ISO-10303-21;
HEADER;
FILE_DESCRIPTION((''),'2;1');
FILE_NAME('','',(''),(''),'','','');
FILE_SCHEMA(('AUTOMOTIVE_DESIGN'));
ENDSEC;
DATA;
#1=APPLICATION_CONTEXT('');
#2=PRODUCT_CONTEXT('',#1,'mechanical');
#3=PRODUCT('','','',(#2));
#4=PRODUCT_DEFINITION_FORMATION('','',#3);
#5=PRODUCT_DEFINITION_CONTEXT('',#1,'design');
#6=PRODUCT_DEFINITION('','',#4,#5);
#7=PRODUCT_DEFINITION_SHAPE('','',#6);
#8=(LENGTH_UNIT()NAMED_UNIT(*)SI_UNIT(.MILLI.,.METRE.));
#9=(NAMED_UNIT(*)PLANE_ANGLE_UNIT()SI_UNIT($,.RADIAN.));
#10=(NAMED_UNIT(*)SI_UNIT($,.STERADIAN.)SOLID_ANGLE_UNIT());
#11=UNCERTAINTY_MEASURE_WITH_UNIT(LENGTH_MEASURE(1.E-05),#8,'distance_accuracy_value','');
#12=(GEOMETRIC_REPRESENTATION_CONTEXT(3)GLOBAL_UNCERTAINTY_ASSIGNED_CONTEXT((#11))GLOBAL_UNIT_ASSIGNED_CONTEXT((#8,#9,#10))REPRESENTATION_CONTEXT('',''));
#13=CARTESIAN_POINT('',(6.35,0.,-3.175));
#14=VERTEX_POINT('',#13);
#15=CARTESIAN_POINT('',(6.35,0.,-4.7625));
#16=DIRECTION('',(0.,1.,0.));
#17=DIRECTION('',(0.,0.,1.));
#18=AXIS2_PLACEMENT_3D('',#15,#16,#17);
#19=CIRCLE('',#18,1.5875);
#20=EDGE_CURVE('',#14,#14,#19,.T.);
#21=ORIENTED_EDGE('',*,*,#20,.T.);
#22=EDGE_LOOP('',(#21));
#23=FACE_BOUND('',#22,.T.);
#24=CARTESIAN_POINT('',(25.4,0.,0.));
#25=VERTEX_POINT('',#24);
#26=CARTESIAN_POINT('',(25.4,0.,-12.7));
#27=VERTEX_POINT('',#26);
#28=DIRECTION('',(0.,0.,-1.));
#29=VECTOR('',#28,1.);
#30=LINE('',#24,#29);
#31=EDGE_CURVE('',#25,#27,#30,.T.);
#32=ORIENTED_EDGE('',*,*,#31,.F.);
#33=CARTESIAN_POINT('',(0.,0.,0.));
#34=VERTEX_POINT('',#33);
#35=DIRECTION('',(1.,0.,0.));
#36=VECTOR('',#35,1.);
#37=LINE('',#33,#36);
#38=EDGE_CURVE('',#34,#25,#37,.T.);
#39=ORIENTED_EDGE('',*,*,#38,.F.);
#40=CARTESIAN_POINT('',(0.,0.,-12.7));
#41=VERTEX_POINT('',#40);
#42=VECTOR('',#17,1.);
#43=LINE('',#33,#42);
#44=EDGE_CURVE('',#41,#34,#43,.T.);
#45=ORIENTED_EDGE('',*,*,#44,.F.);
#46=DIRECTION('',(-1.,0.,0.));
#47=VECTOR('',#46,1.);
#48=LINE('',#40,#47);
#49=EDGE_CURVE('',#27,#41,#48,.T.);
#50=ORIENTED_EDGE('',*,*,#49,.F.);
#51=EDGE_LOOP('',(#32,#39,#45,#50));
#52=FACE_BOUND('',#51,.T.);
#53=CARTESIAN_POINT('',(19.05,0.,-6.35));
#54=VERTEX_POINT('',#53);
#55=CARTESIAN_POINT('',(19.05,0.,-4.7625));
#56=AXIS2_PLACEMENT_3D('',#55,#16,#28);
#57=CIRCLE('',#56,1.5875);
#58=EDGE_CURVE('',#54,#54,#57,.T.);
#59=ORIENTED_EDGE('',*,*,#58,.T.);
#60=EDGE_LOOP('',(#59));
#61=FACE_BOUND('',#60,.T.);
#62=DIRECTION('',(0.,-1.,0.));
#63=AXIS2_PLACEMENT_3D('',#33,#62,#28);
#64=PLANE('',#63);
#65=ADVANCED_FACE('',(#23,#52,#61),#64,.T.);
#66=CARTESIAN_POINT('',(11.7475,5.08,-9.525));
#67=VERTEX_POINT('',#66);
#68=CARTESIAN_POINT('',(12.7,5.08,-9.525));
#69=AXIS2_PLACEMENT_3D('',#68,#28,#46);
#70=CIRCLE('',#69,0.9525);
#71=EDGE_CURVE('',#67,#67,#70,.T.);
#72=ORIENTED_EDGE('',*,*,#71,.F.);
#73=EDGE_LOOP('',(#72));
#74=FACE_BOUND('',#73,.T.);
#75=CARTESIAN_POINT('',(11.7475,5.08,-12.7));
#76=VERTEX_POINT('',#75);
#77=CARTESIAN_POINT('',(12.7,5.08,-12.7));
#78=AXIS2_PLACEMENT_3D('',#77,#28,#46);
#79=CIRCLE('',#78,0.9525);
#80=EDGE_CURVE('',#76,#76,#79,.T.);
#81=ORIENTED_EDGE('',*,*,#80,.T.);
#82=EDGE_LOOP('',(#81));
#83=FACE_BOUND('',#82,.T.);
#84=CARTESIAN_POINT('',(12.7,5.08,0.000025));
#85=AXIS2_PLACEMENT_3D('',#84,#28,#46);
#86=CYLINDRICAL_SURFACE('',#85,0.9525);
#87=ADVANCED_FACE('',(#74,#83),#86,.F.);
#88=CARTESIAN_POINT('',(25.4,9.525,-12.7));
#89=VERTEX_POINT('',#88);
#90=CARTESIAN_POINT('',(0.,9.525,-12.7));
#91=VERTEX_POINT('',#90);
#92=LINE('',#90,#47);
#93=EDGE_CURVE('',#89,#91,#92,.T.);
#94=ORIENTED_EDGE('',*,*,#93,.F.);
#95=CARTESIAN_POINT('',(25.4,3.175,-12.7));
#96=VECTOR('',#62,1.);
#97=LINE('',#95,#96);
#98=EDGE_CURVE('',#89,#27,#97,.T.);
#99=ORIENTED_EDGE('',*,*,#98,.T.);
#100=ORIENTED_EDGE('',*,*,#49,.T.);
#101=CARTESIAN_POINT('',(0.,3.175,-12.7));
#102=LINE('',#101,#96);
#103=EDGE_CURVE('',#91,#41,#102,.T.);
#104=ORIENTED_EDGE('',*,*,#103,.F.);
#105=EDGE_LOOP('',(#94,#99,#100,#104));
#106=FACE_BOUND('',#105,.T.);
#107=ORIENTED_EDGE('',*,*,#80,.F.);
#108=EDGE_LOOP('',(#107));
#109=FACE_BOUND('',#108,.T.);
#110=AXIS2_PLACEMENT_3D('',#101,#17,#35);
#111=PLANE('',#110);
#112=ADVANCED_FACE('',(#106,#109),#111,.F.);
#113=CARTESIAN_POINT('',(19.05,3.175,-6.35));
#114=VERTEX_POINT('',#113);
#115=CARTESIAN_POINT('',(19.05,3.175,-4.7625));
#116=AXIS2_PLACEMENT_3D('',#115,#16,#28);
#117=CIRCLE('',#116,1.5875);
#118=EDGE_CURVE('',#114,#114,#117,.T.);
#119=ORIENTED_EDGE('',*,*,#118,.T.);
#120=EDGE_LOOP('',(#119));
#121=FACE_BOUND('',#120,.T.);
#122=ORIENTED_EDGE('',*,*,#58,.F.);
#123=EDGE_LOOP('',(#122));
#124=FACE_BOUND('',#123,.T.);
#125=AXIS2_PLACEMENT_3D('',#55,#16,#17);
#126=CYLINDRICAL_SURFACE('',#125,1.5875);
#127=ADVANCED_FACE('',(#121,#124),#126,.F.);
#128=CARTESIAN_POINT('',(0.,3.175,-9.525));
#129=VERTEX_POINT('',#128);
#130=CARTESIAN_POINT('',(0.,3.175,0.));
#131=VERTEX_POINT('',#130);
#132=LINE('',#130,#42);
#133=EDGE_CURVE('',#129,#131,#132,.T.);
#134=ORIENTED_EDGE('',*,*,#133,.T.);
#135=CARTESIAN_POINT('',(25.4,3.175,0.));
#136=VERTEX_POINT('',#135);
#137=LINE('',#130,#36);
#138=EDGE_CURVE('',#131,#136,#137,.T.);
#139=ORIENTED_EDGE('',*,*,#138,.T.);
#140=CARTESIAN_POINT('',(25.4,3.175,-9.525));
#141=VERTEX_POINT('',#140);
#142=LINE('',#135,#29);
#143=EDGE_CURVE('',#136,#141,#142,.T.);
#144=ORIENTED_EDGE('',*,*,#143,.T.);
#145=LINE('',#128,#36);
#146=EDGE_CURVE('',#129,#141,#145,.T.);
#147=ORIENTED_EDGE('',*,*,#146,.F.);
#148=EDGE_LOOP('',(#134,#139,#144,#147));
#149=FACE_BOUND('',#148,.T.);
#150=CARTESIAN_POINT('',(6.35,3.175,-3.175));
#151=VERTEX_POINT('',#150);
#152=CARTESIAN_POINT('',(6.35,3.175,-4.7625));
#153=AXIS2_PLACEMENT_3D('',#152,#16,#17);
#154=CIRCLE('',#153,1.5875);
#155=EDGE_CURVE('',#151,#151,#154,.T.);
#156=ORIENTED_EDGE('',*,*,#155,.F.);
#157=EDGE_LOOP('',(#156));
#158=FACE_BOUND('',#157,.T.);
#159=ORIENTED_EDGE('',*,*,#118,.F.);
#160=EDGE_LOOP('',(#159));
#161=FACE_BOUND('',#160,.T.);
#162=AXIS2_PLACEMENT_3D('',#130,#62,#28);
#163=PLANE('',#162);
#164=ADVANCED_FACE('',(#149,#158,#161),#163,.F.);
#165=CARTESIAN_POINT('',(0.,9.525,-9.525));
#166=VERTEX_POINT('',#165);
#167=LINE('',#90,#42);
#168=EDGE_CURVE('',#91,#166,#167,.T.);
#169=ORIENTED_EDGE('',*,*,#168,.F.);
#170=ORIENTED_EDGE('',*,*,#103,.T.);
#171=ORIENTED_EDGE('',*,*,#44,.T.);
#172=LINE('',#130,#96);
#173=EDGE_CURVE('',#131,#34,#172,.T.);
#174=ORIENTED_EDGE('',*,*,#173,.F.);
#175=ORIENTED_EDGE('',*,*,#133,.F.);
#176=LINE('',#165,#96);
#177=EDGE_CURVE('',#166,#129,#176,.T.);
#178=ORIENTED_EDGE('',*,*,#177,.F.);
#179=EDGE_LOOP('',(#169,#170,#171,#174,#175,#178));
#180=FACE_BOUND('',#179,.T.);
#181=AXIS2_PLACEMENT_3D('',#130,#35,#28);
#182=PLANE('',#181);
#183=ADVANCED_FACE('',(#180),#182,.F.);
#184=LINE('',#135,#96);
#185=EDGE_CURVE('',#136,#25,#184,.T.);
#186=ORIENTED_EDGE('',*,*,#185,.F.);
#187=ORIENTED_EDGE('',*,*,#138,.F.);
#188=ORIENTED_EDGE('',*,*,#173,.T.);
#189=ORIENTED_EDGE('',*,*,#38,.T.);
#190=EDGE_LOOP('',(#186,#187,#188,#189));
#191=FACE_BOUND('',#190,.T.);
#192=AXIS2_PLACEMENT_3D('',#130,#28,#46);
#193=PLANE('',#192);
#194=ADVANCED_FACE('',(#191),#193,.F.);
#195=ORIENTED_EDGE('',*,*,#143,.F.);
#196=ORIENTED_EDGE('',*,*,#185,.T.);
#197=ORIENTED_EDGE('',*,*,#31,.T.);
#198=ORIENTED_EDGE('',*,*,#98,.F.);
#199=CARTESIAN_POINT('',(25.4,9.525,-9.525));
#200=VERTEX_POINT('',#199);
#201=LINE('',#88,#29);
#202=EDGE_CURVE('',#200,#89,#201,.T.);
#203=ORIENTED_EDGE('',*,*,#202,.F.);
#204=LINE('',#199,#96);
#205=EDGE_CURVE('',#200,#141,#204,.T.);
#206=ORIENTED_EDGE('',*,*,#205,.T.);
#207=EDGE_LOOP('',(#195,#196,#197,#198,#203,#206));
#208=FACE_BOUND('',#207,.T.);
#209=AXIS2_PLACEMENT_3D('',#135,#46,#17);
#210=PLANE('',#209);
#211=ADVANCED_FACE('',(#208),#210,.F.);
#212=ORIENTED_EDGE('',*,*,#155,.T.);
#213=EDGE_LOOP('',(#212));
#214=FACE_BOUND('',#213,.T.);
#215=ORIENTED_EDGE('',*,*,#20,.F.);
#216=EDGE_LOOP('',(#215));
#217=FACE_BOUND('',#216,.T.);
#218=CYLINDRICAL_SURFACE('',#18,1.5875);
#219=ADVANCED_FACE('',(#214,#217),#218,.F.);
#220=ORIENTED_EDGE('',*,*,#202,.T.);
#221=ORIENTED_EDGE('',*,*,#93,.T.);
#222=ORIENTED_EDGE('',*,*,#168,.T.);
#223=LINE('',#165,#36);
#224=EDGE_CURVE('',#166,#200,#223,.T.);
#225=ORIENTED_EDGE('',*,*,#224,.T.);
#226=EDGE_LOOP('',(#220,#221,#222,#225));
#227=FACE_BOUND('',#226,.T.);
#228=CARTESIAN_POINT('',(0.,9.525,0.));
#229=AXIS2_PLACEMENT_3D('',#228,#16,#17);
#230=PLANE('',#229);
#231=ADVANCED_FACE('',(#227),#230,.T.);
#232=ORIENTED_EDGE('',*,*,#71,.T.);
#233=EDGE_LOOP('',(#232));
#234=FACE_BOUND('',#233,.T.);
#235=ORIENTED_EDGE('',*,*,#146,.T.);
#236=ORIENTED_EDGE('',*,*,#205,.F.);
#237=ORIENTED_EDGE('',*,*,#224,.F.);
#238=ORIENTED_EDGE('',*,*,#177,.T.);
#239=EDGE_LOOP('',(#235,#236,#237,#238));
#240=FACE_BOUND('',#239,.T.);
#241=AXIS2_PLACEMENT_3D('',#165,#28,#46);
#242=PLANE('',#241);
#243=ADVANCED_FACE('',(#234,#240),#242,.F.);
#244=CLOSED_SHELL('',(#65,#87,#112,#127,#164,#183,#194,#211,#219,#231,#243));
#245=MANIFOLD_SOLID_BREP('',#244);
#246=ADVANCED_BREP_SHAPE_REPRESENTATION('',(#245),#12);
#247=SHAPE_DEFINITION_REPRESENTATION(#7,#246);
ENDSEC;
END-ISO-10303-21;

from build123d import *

# Parameters (mm, degrees)
SKETCH1_W           = 25.4
SKETCH1_H           = 12.7
BOSS_EXTRUDE1_DEPTH = 3.175
SKETCH2_W           = 25.4
SKETCH2_H           = 3.175
BOSS_EXTRUDE2_DEPTH = 6.35
SKETCH3_R           = 0.9525
CUT_EXTRUDE1_DEPTH  = 30.952890094
SKETCH4_R           = 1.5875
CUT_EXTRUDE2_DEPTH  = 30.099355663


with BuildPart() as part:
    # Sketch1 → Boss-Extrude1 (new body)
    with BuildSketch(Plane(origin=(0, 0, 0), x_dir=(1, 0, 0), z_dir=(0, 1, 0))):
        with Locations((12.7, 6.35)):
            Rectangle(SKETCH1_W, SKETCH1_H)
    extrude(amount=BOSS_EXTRUDE1_DEPTH)

    # Sketch2 → Boss-Extrude2 (add)
    with BuildSketch(Plane(origin=(0, 3.175, 0), x_dir=(1, 0, 0), z_dir=(0, 1, 0))):
        with Locations((12.7, 11.1125)):
            Rectangle(SKETCH2_W, SKETCH2_H)
    extrude(amount=BOSS_EXTRUDE2_DEPTH)

    # Sketch3 → Cut-Extrude1 (cut, through all)
    with BuildSketch(Plane(origin=(0, 0, -12.7), x_dir=(-1, 0, 0), z_dir=(0, 0, -1))):
        with Locations((-12.7, 5.08)):
            Circle(SKETCH3_R)
    extrude(amount=-CUT_EXTRUDE1_DEPTH, mode=Mode.SUBTRACT)

    # Sketch4 → Cut-Extrude2 (cut, through all)
    with BuildSketch(Plane(origin=(0, 3.175, 0), x_dir=(1, 0, 0), z_dir=(0, 1, 0))):
        with Locations(Location((6.35, 4.7625, 0), (0, 0, 270))):
            Circle(SKETCH4_R)
        with Locations(Location((19.05, 4.7625, 0), (0, 0, 90))):
            Circle(SKETCH4_R)
    extrude(amount=-CUT_EXTRUDE2_DEPTH, mode=Mode.SUBTRACT)


solid = part.part
